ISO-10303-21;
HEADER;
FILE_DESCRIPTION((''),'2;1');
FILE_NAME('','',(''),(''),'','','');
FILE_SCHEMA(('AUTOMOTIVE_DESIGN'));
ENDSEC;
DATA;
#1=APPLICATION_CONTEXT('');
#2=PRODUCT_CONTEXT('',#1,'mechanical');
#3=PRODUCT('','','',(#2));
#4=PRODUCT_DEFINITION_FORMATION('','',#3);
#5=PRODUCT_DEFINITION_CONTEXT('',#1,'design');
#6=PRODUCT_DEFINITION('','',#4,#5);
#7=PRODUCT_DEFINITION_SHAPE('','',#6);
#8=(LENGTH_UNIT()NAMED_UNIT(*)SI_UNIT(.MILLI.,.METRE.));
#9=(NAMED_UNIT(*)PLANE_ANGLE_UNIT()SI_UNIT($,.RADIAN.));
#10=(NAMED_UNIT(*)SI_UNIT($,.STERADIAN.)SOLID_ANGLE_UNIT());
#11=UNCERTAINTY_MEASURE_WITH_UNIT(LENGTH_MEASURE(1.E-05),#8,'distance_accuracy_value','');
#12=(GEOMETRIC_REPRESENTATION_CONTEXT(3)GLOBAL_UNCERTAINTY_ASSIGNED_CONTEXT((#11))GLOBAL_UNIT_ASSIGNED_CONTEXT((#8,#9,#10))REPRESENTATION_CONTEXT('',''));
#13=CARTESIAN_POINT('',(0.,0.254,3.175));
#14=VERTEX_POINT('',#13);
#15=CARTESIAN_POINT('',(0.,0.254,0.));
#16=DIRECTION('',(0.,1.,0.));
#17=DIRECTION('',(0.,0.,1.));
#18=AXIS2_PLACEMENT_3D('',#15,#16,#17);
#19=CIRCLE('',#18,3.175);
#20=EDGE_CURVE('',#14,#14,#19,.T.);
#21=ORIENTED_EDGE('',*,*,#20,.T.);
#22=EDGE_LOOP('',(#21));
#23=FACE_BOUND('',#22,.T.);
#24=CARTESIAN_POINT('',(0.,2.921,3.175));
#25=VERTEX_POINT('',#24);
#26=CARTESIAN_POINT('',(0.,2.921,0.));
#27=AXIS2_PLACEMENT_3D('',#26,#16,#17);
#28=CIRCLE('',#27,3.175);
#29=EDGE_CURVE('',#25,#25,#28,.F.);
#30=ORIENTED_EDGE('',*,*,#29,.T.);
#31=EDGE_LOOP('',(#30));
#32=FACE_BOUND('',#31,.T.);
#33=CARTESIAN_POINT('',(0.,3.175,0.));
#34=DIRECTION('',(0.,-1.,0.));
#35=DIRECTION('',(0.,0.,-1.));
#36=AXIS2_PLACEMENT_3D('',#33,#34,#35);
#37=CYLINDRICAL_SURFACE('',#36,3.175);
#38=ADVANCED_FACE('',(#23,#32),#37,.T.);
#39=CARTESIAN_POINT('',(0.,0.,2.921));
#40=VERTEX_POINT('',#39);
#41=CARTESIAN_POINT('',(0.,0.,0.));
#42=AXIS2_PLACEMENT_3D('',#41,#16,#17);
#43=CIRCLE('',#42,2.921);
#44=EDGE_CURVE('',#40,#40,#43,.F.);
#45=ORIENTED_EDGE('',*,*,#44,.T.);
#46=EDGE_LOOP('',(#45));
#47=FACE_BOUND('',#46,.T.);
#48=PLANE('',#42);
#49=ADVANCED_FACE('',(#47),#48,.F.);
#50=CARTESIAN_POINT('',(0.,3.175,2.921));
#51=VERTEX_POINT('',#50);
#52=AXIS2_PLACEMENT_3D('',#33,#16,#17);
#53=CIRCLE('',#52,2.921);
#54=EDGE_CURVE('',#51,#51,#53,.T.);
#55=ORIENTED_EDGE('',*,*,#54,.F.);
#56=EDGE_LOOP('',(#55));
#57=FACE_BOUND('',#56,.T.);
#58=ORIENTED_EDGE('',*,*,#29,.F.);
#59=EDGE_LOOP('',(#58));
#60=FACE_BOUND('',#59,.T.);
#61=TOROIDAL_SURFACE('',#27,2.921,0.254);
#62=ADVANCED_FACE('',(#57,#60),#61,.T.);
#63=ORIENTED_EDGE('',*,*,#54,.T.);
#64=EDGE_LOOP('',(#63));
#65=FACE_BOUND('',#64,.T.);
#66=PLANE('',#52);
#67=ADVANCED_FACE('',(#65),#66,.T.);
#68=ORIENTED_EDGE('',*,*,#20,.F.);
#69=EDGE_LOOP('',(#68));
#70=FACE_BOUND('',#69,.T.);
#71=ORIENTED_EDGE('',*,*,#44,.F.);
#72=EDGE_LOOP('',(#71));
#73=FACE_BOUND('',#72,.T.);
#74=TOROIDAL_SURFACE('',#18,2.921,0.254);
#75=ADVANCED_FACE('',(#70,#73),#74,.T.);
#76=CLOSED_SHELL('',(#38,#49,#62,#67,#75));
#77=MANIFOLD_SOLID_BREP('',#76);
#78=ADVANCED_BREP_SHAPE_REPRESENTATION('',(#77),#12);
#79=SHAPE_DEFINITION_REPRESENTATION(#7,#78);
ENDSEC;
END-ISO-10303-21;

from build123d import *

# Parameters (mm, degrees)
SKETCH1_R           = 3.175
BOSS_EXTRUDE1_DEPTH = 3.175
FILLET1_R           = 0.254


with BuildPart() as part:
    # Sketch1 → Boss-Extrude1 (new body)
    with BuildSketch(Plane(origin=(0, 0, 0), x_dir=(1, 0, 0), z_dir=(0, 1, 0))):
        with Locations(Location((0, 0, 0), (0, 0, 270))):
            Circle(SKETCH1_R)
    extrude(amount=BOSS_EXTRUDE1_DEPTH)

    # Fillet1
    fillet1_edges = [part.edges().sort_by_distance(p)[0] for p in [
        (0, 0, -3.175),
        (0, 3.175, -3.175),
    ]]
    fillet(fillet1_edges, radius=FILLET1_R)


solid = part.part
